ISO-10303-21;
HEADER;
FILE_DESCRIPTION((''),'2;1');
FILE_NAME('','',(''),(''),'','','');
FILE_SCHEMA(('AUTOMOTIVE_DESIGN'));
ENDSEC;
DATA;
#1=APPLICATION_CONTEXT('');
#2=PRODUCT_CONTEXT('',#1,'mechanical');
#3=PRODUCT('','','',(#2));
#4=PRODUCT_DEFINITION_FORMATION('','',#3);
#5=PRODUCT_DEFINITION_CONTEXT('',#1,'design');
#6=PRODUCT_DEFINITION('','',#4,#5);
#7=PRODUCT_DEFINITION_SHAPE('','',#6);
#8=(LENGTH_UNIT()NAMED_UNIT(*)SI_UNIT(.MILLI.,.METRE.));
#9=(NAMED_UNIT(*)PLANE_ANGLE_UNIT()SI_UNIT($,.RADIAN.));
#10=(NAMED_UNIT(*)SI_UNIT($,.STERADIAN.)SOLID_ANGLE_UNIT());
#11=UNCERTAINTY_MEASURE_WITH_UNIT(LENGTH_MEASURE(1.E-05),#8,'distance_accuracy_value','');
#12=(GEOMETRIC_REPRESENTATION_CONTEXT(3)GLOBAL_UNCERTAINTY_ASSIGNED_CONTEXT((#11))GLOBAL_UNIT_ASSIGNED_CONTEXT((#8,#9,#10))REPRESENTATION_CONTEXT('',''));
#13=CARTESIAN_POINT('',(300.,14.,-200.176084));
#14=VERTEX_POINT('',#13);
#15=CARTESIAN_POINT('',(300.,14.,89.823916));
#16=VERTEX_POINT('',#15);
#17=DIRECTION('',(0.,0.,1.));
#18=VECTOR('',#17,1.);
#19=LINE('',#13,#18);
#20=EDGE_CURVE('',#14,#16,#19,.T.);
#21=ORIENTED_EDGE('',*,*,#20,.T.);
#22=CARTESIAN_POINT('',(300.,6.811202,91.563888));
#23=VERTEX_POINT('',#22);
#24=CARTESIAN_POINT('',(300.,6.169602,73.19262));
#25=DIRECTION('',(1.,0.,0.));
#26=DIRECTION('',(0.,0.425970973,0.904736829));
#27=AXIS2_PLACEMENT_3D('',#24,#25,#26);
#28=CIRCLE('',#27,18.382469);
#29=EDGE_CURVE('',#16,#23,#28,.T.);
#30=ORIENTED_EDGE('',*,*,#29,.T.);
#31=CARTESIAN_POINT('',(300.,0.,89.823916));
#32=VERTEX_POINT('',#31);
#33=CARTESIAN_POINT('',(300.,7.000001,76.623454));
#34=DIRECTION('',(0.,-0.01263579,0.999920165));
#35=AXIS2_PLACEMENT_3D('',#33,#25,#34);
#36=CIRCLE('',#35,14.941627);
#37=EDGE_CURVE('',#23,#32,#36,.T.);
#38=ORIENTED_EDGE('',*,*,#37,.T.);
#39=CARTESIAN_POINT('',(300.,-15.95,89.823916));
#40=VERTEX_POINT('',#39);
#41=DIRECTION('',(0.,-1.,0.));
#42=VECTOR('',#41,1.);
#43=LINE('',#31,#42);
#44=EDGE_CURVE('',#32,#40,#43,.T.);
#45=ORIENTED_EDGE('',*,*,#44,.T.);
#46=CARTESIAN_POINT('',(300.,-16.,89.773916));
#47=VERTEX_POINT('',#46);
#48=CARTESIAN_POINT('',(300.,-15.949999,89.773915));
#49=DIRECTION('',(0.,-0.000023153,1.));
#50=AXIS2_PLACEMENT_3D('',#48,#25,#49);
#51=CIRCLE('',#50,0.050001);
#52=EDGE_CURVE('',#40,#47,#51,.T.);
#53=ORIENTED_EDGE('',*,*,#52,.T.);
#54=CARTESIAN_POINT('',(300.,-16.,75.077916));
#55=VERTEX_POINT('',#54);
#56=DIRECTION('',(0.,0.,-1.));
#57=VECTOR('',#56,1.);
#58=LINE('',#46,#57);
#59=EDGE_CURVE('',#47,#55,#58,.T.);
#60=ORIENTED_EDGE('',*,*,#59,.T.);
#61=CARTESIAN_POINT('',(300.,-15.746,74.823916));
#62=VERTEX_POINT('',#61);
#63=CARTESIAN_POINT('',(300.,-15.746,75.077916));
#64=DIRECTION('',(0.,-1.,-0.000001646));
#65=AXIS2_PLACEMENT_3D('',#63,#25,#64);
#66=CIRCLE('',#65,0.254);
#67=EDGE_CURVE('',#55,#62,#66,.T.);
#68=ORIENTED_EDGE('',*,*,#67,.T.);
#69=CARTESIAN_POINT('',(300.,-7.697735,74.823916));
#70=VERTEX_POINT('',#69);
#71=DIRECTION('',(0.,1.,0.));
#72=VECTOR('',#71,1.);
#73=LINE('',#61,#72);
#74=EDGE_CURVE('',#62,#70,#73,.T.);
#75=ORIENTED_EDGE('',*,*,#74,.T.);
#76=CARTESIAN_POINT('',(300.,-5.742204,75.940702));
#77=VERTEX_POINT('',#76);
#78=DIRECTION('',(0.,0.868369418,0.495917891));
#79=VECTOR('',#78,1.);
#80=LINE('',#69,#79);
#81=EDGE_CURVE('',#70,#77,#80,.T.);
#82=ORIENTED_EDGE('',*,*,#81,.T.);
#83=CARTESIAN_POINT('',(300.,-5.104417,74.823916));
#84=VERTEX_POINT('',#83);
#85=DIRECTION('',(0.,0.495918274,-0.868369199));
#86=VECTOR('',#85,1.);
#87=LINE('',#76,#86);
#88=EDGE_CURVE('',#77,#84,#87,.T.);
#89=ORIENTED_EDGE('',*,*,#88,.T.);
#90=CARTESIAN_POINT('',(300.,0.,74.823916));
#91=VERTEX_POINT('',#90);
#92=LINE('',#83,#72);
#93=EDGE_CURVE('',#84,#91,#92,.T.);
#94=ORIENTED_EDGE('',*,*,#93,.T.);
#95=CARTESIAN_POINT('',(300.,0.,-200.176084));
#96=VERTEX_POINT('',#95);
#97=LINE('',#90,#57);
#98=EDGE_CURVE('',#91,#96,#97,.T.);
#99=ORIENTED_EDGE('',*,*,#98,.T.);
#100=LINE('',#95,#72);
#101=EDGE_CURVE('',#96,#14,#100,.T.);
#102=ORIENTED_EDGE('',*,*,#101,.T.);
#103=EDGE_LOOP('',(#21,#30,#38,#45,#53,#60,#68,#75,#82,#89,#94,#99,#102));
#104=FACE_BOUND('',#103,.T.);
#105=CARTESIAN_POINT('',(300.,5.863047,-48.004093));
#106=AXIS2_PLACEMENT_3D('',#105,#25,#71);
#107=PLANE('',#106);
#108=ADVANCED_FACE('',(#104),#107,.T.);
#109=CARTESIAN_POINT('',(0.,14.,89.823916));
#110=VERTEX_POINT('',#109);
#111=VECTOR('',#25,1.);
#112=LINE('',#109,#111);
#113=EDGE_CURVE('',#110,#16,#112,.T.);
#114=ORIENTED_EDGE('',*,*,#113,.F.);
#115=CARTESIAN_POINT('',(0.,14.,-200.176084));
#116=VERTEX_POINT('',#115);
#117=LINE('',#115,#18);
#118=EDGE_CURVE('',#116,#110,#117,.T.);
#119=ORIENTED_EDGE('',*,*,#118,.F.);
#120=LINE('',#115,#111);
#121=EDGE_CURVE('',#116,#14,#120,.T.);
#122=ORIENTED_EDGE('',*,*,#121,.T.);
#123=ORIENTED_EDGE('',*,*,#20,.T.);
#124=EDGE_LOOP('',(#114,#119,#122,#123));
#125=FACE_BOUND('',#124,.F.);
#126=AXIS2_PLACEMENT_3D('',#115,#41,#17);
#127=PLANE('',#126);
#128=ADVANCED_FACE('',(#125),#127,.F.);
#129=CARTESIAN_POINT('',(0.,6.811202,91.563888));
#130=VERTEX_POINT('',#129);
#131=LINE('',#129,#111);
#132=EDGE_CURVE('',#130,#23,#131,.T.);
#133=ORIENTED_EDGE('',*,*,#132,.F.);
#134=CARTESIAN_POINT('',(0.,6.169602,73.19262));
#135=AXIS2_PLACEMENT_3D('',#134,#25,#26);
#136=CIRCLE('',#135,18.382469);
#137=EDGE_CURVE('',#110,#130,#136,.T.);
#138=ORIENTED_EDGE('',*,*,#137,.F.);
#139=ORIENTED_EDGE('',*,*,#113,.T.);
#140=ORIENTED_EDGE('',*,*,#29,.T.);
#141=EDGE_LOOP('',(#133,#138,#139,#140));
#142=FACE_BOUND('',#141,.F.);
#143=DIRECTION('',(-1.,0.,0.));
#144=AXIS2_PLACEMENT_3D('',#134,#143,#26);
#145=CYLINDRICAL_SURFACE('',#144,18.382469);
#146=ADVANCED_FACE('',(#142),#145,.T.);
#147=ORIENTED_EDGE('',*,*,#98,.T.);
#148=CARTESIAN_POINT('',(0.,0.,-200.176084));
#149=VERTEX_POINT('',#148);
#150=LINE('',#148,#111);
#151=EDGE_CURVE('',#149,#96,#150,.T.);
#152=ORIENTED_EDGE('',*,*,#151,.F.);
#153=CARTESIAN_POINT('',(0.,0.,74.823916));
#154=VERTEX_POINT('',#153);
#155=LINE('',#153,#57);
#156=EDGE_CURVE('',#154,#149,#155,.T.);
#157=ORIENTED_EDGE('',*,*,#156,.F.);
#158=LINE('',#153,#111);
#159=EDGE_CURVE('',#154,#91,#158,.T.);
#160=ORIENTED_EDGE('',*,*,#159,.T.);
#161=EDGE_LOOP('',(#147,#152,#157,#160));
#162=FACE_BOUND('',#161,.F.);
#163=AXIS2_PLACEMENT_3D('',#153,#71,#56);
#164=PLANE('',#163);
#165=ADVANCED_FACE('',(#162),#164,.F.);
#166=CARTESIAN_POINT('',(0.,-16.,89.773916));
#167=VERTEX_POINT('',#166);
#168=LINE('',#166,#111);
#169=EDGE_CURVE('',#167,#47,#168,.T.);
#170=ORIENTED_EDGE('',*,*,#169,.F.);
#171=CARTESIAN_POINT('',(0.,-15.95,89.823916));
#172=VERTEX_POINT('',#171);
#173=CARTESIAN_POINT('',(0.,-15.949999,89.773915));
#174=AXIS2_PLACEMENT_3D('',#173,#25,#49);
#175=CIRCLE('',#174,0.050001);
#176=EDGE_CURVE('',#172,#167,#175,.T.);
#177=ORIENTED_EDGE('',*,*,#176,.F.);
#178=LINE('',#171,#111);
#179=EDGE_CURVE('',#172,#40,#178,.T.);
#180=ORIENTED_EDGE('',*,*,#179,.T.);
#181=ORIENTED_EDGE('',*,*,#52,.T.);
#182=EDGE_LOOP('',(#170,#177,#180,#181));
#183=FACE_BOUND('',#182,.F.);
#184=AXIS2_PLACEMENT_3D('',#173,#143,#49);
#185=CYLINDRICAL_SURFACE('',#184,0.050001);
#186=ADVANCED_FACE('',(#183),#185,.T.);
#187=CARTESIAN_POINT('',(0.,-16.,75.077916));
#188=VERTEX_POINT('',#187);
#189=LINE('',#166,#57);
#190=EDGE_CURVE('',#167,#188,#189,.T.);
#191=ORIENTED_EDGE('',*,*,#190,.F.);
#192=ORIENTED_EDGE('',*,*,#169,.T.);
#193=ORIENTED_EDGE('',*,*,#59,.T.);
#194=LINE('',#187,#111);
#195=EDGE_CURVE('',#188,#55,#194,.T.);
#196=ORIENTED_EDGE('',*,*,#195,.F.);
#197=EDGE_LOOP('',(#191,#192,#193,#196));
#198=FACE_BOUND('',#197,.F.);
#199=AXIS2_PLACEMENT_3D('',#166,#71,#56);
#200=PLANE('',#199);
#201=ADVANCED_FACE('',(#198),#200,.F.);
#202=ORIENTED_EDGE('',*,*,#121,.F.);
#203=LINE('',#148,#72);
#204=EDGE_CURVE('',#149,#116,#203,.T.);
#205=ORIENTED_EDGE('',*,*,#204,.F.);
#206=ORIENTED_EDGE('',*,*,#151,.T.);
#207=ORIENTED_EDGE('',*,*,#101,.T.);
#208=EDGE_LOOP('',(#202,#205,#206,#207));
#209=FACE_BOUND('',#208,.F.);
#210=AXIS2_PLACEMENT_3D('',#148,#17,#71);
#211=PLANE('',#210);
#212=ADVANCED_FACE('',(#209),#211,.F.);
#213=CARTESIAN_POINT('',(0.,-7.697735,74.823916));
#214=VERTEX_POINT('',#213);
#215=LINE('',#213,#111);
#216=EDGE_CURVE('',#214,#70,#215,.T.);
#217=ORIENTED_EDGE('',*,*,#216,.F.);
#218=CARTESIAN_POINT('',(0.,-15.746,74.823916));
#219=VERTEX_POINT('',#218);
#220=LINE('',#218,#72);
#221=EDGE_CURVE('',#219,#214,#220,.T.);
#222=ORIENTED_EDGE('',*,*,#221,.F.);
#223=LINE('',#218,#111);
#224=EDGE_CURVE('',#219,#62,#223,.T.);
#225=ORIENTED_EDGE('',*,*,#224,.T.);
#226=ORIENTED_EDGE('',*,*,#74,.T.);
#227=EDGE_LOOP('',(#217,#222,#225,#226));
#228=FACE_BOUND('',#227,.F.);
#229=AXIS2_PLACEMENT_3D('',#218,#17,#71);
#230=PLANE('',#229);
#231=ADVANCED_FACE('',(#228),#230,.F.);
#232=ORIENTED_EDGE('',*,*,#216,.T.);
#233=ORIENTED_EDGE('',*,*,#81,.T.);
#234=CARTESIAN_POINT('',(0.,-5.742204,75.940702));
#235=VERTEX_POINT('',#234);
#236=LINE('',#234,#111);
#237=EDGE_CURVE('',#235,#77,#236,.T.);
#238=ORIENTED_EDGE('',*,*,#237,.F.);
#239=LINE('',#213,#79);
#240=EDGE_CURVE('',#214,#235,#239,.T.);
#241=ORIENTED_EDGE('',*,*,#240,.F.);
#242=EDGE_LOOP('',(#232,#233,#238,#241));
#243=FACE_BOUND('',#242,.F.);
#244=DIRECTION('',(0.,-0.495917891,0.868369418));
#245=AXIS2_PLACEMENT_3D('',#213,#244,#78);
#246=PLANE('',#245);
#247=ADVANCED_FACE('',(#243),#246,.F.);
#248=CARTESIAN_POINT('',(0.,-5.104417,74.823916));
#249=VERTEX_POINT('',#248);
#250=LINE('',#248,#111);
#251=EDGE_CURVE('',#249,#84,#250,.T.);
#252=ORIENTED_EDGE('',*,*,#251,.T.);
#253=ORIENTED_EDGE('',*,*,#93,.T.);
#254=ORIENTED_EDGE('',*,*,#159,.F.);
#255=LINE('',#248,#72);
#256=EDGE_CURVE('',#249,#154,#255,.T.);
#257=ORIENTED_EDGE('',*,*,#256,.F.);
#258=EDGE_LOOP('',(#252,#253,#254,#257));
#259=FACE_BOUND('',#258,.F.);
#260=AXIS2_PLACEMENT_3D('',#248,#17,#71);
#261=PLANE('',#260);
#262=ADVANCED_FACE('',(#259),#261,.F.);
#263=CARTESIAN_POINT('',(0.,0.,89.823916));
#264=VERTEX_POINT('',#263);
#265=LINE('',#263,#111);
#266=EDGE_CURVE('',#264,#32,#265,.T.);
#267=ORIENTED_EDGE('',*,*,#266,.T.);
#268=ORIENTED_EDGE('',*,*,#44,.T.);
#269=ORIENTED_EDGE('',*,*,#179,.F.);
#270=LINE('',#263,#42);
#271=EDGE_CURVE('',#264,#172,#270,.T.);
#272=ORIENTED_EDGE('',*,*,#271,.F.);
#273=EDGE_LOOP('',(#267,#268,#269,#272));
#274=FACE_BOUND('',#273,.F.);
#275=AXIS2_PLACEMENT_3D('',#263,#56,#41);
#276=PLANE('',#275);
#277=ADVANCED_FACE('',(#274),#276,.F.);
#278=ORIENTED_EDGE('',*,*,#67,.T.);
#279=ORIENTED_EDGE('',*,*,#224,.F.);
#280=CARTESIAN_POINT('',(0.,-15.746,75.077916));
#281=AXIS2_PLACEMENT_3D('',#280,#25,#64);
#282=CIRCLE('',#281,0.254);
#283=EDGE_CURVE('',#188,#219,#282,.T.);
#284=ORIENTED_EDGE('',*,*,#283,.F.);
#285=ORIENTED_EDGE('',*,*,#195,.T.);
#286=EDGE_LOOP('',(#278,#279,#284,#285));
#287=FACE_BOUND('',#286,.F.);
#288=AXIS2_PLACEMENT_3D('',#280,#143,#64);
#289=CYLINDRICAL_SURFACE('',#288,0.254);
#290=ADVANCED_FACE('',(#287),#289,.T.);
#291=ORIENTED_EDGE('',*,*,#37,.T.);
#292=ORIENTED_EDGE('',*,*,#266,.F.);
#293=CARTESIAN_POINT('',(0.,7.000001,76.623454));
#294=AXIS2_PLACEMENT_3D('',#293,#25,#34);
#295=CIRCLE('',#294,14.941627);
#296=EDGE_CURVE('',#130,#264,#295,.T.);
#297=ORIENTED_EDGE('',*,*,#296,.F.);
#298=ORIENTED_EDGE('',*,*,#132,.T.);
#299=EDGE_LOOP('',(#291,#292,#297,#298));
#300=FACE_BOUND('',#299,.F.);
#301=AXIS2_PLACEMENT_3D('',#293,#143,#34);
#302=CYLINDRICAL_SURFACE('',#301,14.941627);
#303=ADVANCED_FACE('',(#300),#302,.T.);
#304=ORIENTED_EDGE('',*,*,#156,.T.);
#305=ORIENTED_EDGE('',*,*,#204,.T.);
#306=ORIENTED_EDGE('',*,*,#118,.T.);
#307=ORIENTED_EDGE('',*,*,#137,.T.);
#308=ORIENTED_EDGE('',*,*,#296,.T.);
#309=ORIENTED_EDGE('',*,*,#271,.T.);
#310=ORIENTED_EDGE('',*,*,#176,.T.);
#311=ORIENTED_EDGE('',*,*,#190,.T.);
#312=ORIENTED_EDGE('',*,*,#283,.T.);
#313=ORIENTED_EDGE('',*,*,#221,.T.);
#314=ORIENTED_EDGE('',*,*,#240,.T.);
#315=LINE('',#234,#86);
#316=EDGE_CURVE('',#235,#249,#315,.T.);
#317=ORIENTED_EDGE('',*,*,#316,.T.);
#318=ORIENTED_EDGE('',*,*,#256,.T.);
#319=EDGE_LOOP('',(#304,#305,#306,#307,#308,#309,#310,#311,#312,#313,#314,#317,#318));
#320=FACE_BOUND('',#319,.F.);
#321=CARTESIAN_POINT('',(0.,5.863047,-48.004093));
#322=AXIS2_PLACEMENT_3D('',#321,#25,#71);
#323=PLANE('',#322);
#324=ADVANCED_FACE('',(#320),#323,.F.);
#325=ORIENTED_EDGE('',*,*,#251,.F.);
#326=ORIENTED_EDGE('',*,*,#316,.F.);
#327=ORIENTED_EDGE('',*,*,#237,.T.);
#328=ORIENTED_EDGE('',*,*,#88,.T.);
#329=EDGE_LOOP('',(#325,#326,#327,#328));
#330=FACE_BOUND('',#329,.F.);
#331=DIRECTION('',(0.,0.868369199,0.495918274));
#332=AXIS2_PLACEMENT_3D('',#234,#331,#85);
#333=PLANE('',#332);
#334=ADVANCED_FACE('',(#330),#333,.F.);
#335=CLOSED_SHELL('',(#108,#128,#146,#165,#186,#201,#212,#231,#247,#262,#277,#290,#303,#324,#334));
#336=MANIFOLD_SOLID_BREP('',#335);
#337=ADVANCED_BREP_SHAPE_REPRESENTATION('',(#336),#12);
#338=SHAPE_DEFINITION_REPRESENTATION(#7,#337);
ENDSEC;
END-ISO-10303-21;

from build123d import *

# Parameters (mm, degrees)
F1_DEPTH = 300


with BuildPart() as f1:
    # F0 (on Right) → F1 (new body)
    with BuildSketch(Plane.YZ):
        with BuildLine():
            Line((0, 74.823916), (0, -200.176084))
            Line((0, -200.176084), (14, -200.176084))
            Line((14, -200.176084), (14, 89.823916))
            ThreePointArc((14, 89.823916), (10.494017, 91.059197), (6.811202, 91.563888))
            ThreePointArc((6.811202, 91.563888), (3.301814, 91.100181), (0, 89.823916))
            Line((0, 89.823916), (-15.95, 89.823916))
            ThreePointArc((-15.95, 89.823916), (-15.985355, 89.809271), (-16, 89.773916))
            Line((-16, 89.773916), (-16, 75.077916))
            ThreePointArc((-16, 75.077916), (-15.925605, 74.898311), (-15.746, 74.823916))
            Line((-15.746, 74.823916), (-7.697735, 74.823916))
            Line((-7.697735, 74.823916), (-5.742204, 75.940702))
            Line((-5.742204, 75.940702), (-5.104417, 74.823916))
            Line((-5.104417, 74.823916), (0, 74.823916))
        make_face()
    extrude(amount=F1_DEPTH)


solid = f1.part
